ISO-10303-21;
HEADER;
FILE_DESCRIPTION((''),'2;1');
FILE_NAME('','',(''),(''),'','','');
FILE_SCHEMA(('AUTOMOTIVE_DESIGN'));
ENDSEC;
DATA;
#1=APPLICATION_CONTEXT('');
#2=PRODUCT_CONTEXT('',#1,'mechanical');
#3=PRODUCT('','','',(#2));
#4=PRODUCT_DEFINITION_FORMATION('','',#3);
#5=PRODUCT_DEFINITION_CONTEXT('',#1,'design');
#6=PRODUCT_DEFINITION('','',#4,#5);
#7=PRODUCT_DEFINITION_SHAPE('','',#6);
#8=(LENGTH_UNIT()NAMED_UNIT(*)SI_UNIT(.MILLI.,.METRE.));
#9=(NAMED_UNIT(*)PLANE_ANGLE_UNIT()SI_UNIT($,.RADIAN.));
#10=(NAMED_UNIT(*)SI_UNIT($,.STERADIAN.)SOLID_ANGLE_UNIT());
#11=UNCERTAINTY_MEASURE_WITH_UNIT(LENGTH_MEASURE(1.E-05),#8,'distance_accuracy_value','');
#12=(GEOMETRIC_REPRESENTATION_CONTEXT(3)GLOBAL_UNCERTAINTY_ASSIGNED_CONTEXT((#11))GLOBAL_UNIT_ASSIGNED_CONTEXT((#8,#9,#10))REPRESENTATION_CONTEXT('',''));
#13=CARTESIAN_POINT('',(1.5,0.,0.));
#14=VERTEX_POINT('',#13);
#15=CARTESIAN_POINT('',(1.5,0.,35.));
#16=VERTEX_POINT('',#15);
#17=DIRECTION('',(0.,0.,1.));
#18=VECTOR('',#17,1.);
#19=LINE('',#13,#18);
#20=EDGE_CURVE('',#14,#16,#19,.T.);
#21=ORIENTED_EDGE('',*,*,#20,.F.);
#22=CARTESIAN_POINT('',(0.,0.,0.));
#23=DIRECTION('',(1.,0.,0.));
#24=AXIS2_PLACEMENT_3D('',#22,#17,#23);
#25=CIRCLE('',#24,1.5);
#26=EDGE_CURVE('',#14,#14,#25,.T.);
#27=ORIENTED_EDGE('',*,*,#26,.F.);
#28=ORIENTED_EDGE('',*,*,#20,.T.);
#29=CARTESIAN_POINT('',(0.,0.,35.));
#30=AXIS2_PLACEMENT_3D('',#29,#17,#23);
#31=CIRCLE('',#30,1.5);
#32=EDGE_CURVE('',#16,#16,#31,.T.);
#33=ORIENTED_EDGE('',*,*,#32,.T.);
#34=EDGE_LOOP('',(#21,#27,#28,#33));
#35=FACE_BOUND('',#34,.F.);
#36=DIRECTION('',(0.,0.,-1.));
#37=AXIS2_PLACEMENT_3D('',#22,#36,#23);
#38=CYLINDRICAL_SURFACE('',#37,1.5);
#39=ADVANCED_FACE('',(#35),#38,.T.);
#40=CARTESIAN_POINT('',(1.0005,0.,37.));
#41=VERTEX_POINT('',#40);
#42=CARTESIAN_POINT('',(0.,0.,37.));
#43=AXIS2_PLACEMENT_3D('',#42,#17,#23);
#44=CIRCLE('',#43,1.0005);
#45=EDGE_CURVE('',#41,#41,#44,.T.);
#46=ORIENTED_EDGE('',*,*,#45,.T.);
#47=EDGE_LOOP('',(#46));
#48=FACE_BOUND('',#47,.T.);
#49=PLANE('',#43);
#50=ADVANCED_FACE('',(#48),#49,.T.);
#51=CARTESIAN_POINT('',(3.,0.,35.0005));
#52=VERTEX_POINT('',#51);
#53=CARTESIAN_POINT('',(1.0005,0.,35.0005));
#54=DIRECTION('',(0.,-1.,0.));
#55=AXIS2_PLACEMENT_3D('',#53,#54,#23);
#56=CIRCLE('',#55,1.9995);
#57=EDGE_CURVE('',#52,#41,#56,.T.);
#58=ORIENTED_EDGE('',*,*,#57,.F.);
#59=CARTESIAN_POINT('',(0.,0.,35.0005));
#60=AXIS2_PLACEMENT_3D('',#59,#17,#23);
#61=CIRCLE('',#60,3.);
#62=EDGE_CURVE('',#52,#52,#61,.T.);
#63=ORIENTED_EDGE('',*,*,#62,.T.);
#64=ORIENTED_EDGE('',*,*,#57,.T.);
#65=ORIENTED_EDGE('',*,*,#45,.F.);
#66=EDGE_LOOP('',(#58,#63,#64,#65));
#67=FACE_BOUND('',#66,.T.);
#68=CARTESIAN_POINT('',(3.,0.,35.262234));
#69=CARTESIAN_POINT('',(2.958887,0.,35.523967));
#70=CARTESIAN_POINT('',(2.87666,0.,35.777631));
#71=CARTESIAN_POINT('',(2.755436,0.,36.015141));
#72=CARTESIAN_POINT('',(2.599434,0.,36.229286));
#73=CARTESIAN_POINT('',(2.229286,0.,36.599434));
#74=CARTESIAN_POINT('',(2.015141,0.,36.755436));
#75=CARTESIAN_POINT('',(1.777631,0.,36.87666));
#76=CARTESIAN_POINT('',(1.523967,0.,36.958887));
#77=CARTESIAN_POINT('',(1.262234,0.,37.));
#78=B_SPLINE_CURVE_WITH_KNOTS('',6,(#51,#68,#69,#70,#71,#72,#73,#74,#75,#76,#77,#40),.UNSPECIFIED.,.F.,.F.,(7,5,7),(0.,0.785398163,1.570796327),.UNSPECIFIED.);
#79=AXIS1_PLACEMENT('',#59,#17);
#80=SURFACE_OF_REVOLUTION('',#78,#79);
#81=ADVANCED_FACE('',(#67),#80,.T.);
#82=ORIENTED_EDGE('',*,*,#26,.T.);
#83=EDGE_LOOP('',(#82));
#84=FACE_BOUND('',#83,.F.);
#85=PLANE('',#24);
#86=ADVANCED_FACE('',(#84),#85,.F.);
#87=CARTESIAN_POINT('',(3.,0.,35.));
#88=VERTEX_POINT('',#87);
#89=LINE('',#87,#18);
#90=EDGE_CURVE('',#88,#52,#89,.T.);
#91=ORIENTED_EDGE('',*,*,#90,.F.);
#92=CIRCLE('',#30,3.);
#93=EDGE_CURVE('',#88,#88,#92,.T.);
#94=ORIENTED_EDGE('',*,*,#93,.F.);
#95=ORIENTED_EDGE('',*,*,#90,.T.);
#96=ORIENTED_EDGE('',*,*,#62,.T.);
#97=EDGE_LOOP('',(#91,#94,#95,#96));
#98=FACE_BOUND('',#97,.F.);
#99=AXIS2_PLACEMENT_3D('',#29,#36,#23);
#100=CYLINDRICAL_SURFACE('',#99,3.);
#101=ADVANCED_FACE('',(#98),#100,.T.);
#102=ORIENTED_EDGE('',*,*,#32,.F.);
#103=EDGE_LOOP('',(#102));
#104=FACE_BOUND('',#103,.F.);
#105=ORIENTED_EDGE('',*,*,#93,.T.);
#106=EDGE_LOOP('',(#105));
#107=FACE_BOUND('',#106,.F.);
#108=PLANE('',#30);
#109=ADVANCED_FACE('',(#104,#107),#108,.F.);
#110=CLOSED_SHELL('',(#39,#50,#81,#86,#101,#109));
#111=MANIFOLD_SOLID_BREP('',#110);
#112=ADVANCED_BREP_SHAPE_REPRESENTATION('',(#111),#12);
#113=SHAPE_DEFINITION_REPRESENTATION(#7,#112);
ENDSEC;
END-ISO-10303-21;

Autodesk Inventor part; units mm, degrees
ref_plane "YZ Plane" through (0, 0, 0) normal (1, 0, 0) x (0, 1, 0)
ref_plane "XZ Plane" through (0, 0, 0) normal (0, 1, 0) x (-1, 0, 0)
ref_plane "XY Plane" through (0, 0, 0) normal (0, 0, 1) x (1, 0, 0)
sketch "スケッチ1" plane through (0, 0, 0) normal (0, 0, 1) x (1, 0, 0)
  circle A0 centre (0, 0) radius 1.5
  dimension "d0" = 3
extrude "押し出し1" add sketch "スケッチ1" along normal blind 35
sketch "スケッチ2" plane through (0, 0, 35) normal (0, 0, 1) x (1, 0, 0)
  circle A0 centre (0, 0) radius 1.5 projected
  circle A1 centre (0, 0) radius 3
  dimension "d3" = 6
extrude "押し出し2" add sketch "スケッチ2" along normal blind 2 contours A0 | A1
fillet "フィレット1" radius 2 1 edges at (-3, 0, 37)
properties part number "M3ボタンボルト20" material "鋼、高強度、低合金"
